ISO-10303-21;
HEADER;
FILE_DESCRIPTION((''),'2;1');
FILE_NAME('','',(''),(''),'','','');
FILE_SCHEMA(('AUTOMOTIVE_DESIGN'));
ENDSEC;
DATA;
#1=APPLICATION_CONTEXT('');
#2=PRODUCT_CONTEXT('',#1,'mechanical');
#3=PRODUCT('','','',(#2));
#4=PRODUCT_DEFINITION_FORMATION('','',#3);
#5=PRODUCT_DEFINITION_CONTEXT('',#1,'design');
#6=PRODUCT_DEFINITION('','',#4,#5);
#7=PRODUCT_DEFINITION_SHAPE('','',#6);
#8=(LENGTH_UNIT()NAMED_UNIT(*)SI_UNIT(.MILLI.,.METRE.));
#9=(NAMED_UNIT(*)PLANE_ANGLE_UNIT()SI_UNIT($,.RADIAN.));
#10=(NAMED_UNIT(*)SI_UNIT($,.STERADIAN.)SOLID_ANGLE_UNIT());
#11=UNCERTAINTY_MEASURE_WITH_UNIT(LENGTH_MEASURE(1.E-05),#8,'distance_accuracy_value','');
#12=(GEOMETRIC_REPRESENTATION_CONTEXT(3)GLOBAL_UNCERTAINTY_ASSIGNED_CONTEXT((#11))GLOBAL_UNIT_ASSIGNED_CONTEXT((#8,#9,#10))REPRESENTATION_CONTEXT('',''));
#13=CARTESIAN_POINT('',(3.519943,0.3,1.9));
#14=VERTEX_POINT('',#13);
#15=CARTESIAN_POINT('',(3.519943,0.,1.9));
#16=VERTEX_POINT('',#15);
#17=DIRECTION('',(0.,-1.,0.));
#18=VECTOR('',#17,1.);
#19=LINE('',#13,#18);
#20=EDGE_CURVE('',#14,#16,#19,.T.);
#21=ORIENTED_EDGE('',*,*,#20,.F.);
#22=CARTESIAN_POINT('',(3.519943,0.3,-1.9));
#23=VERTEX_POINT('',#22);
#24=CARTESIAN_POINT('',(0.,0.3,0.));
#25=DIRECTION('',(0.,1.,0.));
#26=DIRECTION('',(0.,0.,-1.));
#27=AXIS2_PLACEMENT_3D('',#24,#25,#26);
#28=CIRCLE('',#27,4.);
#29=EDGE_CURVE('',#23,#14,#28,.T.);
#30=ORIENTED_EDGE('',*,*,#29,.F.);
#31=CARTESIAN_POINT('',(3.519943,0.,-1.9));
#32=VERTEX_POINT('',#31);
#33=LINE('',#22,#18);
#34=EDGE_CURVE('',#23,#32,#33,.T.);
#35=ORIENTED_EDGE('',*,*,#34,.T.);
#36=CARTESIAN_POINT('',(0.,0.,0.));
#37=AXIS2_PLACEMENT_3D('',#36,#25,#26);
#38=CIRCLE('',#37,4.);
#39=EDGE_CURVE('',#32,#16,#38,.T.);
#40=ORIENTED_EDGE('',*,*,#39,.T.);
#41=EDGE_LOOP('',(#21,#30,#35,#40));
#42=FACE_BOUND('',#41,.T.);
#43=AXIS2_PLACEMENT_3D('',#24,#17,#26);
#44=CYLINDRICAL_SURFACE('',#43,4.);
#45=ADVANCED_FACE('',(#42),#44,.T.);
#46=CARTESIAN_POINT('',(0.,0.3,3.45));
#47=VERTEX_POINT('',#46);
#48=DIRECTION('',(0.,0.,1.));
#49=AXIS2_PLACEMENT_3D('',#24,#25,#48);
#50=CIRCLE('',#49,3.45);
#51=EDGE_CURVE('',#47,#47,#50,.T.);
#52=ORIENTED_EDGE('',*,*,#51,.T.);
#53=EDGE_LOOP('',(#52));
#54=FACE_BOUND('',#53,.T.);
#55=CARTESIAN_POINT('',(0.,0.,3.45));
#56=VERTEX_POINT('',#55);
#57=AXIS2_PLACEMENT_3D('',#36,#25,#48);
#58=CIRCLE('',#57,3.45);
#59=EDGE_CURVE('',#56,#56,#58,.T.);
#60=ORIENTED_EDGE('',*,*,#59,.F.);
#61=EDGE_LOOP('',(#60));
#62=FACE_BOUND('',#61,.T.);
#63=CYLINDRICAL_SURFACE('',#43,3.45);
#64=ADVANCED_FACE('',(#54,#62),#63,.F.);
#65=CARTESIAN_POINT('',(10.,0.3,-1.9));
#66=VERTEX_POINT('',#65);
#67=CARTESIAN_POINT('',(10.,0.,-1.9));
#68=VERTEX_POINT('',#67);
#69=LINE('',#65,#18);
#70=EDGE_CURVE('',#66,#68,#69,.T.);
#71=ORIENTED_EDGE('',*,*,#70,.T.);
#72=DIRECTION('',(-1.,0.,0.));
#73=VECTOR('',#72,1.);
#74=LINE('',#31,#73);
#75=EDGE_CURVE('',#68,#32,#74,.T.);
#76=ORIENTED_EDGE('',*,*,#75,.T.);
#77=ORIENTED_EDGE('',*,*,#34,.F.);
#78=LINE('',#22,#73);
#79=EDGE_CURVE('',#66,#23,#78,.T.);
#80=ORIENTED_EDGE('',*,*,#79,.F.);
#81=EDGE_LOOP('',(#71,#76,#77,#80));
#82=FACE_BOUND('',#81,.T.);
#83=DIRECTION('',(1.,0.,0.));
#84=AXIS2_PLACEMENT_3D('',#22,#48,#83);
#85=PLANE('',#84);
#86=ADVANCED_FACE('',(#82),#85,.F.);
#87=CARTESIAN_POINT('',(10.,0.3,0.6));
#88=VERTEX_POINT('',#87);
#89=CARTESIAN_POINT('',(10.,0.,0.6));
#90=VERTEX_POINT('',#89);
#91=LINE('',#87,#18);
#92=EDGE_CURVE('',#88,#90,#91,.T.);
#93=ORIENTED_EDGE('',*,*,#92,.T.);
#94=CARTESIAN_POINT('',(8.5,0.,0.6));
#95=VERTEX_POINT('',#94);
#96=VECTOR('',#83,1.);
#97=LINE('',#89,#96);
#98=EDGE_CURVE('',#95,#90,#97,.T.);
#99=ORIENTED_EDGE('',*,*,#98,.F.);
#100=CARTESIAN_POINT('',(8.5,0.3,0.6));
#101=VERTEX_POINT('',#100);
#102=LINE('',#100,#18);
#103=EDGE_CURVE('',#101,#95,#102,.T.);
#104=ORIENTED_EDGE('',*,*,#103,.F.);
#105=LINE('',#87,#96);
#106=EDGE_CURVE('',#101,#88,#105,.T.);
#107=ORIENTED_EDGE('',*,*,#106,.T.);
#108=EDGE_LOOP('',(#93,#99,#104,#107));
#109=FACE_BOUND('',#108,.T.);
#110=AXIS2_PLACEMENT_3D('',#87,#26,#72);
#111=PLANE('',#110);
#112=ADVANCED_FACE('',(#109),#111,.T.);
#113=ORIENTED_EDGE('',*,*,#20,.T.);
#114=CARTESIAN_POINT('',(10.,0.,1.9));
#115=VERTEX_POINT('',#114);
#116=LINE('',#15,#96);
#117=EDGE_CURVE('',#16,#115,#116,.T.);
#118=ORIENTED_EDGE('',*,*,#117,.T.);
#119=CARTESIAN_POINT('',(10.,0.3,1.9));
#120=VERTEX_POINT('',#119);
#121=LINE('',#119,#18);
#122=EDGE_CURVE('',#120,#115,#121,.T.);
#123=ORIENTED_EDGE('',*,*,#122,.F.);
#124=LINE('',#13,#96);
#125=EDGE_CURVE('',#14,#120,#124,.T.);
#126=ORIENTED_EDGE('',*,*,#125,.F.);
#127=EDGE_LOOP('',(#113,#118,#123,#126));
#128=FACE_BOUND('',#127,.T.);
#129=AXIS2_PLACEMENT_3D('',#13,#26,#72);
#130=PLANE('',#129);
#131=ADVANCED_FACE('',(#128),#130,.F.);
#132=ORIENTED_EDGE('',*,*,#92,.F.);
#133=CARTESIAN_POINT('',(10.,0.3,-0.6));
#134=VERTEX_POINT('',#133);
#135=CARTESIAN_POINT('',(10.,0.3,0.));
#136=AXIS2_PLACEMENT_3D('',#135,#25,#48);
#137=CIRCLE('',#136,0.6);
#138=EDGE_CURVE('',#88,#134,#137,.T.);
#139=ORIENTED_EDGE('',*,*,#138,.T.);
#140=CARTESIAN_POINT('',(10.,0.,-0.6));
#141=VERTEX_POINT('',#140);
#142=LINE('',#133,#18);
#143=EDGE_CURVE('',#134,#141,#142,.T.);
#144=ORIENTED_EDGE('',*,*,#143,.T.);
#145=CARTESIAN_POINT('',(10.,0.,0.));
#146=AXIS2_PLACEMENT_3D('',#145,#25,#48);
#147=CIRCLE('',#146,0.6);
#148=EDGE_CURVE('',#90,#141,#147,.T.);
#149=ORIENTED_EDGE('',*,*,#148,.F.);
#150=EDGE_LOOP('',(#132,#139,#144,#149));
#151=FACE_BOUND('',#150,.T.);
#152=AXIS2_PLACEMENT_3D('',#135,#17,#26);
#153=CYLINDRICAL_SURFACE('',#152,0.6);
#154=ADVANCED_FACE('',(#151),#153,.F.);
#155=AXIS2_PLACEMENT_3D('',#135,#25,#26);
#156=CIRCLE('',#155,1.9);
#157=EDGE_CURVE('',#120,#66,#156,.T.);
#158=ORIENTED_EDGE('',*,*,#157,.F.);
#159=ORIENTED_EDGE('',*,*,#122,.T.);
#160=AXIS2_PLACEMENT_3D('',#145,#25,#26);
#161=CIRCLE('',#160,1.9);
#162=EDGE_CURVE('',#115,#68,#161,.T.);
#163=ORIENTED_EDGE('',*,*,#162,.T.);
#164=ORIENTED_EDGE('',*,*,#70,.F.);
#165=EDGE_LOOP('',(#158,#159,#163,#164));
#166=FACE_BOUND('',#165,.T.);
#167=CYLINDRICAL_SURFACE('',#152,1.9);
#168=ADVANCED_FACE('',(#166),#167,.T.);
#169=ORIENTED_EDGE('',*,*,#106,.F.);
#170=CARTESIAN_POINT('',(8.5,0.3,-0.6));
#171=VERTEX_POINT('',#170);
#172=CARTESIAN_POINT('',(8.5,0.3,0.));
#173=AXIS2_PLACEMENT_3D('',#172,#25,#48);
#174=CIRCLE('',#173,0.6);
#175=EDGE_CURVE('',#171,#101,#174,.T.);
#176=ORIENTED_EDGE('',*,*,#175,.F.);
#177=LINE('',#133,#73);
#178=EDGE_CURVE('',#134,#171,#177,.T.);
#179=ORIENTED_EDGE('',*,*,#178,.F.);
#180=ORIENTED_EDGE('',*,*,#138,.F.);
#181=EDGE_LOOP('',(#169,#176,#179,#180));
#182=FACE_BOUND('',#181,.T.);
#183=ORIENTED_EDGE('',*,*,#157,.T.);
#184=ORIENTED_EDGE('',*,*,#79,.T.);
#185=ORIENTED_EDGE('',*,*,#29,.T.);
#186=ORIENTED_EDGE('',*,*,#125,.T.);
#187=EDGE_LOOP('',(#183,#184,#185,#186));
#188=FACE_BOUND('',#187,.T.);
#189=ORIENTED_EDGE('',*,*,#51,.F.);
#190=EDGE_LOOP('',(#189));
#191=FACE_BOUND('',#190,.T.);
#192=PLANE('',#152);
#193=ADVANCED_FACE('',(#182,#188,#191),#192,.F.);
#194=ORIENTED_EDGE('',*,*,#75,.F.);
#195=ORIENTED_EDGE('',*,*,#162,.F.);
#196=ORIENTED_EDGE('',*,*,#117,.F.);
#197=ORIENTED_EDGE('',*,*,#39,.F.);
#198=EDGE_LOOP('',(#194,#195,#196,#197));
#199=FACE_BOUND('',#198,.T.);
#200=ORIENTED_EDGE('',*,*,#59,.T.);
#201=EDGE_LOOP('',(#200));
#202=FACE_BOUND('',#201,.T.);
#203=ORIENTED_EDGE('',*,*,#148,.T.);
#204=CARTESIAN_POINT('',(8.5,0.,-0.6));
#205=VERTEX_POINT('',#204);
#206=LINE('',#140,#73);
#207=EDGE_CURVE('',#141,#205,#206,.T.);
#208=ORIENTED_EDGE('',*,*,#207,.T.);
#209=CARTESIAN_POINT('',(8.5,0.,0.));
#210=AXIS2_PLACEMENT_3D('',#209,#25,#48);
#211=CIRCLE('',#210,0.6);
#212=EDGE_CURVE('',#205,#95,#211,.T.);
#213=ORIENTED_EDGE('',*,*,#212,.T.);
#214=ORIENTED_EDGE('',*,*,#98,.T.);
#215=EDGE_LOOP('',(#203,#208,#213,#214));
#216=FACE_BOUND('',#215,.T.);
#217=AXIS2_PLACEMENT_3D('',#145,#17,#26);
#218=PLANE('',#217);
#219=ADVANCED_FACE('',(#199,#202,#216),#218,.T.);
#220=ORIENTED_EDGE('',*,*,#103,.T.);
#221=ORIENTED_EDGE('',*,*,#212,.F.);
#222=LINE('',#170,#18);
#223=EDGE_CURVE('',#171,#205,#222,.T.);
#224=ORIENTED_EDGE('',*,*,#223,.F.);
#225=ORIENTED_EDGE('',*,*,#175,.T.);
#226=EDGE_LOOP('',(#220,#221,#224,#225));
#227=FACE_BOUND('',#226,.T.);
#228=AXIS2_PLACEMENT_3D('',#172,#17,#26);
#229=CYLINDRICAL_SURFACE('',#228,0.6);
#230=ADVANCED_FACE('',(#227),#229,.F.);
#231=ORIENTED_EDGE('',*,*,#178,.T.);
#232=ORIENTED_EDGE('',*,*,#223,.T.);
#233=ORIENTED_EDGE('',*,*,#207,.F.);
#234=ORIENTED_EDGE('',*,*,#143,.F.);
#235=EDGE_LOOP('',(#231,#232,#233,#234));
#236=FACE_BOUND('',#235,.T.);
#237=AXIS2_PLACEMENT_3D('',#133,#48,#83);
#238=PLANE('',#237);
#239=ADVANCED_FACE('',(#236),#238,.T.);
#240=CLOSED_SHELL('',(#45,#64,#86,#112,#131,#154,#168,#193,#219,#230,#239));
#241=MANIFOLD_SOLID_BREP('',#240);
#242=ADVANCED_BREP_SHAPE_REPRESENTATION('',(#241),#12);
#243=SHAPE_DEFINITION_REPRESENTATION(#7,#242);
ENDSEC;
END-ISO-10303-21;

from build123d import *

# Parameters (mm, degrees)
SKETCH_1_R      = 3.45
EXTRUDE_1_DEPTH = 0.3


with BuildPart() as part:
    # 草图1 → 凸台-拉伸1 (new body)
    with BuildSketch(Plane(origin=(0, 0, 0), x_dir=(1, 0, 0), z_dir=(0, 1, 0))):
        with BuildLine():
            Line((3.519943181, 1.9), (10, 1.9))
            ThreePointArc((10, 1.9), (11.9, 0), (10, -1.9))
            Line((10, -1.9), (3.519943181, -1.9))
            ThreePointArc((3.519943181, -1.9), (-4, 0), (3.519943181, 1.9))
        make_face()
        with Locations(Location((0, 0, 0), (0, 0, 270))):
            Circle(SKETCH_1_R, mode=Mode.SUBTRACT)
        with BuildLine():
            Line((10, -0.6), (8.5, -0.6))
            ThreePointArc((8.5, -0.6), (7.9, 0), (8.5, 0.6))
            Line((8.5, 0.6), (10, 0.6))
            ThreePointArc((10, 0.6), (10.6, 0), (10, -0.6))
        make_face(mode=Mode.SUBTRACT)
    extrude(amount=EXTRUDE_1_DEPTH)


solid = part.part
